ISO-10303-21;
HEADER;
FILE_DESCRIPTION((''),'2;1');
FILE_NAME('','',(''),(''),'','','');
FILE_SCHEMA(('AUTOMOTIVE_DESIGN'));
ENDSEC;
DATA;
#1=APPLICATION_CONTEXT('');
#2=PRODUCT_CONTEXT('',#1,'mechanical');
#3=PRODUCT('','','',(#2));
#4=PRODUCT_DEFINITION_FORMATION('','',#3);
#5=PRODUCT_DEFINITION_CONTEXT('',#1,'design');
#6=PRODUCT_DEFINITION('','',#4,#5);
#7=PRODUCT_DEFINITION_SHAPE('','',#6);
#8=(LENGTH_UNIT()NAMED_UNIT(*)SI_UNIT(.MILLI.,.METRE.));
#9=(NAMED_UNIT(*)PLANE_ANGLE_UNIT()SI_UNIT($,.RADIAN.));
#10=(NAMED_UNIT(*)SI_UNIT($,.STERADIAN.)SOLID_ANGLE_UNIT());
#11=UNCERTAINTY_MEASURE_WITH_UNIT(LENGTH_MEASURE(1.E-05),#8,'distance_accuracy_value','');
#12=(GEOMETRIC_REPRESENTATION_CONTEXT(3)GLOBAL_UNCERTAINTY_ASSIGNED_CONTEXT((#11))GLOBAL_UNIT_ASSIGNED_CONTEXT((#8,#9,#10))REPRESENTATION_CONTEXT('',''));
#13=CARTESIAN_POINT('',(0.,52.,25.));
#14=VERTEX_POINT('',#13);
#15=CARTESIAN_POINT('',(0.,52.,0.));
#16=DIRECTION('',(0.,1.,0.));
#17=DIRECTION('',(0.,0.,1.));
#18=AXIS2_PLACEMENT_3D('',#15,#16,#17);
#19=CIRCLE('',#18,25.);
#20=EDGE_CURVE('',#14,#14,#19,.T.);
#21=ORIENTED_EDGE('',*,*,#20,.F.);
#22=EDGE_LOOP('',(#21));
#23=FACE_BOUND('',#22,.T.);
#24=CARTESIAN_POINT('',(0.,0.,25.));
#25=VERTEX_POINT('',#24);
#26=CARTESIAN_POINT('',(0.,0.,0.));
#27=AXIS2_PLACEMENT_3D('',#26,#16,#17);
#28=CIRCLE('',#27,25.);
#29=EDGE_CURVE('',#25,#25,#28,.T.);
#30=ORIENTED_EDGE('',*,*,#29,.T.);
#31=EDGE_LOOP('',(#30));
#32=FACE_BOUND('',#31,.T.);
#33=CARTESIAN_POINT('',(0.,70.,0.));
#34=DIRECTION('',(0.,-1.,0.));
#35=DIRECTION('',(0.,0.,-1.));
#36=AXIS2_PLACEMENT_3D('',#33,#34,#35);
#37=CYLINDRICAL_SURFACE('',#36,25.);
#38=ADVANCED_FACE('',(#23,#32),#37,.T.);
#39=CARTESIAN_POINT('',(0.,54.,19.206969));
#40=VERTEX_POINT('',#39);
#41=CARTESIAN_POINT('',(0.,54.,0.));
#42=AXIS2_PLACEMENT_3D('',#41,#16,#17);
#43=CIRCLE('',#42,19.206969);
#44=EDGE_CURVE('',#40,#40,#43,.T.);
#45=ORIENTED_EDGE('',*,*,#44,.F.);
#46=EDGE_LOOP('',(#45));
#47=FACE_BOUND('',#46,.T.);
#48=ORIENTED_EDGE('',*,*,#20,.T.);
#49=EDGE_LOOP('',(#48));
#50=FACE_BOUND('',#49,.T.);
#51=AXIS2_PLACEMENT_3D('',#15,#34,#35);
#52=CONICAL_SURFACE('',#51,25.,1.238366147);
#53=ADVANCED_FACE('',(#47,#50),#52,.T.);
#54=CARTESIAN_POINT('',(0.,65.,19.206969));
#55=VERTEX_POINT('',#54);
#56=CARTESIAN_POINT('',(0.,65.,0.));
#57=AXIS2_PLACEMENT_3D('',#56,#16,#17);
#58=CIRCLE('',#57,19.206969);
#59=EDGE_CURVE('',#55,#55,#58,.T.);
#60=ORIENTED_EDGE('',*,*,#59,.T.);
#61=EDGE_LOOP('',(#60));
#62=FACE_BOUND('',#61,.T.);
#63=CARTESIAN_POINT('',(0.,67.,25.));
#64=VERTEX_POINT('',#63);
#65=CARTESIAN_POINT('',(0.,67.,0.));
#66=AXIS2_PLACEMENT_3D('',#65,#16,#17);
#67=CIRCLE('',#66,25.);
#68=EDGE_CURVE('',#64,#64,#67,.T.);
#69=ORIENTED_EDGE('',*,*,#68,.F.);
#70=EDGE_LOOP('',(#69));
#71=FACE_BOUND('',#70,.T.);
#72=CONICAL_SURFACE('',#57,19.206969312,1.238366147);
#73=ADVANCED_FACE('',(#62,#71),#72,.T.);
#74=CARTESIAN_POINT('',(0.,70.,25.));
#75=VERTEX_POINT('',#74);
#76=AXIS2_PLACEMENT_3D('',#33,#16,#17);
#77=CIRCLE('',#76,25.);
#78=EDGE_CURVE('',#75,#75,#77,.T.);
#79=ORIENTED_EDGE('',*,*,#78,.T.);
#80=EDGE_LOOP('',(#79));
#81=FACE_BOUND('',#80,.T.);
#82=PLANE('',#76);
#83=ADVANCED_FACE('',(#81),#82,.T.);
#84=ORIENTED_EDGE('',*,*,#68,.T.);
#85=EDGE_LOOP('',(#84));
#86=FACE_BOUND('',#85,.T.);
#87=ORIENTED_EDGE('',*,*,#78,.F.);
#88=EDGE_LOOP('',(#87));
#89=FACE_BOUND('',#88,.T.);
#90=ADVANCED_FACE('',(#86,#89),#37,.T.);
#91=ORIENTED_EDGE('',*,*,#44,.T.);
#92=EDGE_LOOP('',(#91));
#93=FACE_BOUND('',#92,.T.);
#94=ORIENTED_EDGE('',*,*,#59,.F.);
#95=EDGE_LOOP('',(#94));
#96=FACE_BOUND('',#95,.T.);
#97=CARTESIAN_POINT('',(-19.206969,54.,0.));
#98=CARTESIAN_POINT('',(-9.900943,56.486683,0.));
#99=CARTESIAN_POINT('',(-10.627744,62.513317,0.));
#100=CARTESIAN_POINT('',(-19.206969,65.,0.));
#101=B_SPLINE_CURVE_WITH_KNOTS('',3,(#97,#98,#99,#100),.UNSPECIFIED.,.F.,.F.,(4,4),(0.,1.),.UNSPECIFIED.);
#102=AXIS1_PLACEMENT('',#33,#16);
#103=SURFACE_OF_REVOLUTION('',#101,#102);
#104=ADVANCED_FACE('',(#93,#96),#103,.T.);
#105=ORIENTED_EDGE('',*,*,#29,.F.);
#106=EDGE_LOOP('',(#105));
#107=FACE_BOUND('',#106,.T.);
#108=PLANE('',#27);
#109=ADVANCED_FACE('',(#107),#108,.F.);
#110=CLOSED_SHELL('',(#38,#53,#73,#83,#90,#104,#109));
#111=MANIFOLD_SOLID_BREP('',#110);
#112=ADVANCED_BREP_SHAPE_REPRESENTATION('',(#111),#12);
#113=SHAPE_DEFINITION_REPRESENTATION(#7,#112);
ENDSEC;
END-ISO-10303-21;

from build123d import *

# Parameters (mm, degrees)
SKETCH1_R           = 25
BOSS_EXTRUDE1_DEPTH = 70


with BuildPart() as part:
    # Sketch1 → Boss-Extrude1 (new body)
    with BuildSketch(Plane(origin=(0, 0, 0), x_dir=(1, 0, 0), z_dir=(0, 1, 0))):
        with Locations(Location((0, 0, 0), (0, 0, 270))):
            Circle(SKETCH1_R)
    extrude(amount=BOSS_EXTRUDE1_DEPTH)

    # Sketch2 → Cut-Revolve3 (revolve, cut)
    with BuildSketch(Plane.XY, mode=Mode.PRIVATE) as cut_revolve3_sk:
        with BuildLine():
            Line((-25, 67), (-19.206969312, 65))
            add(Edge.make_bspline(
                [(-19.206969312, 65), (-10.627743926, 62.513316988), (-9.9009432, 56.486683012), (-19.206969312, 54)],
                knots=[0, 0, 0, 0, 1, 1, 1, 1], degree=3))
            Line((-19.206969312, 54), (-25, 52))
            Line((-25, 52), (-25, 67))
        make_face()
    revolve(cut_revolve3_sk.sketch.rotate(Axis((0, 70, 0), (0, -1, 0)), 270), axis=Axis((0, 70, 0), (0, -1, 0)), mode=Mode.SUBTRACT)


solid = part.part
